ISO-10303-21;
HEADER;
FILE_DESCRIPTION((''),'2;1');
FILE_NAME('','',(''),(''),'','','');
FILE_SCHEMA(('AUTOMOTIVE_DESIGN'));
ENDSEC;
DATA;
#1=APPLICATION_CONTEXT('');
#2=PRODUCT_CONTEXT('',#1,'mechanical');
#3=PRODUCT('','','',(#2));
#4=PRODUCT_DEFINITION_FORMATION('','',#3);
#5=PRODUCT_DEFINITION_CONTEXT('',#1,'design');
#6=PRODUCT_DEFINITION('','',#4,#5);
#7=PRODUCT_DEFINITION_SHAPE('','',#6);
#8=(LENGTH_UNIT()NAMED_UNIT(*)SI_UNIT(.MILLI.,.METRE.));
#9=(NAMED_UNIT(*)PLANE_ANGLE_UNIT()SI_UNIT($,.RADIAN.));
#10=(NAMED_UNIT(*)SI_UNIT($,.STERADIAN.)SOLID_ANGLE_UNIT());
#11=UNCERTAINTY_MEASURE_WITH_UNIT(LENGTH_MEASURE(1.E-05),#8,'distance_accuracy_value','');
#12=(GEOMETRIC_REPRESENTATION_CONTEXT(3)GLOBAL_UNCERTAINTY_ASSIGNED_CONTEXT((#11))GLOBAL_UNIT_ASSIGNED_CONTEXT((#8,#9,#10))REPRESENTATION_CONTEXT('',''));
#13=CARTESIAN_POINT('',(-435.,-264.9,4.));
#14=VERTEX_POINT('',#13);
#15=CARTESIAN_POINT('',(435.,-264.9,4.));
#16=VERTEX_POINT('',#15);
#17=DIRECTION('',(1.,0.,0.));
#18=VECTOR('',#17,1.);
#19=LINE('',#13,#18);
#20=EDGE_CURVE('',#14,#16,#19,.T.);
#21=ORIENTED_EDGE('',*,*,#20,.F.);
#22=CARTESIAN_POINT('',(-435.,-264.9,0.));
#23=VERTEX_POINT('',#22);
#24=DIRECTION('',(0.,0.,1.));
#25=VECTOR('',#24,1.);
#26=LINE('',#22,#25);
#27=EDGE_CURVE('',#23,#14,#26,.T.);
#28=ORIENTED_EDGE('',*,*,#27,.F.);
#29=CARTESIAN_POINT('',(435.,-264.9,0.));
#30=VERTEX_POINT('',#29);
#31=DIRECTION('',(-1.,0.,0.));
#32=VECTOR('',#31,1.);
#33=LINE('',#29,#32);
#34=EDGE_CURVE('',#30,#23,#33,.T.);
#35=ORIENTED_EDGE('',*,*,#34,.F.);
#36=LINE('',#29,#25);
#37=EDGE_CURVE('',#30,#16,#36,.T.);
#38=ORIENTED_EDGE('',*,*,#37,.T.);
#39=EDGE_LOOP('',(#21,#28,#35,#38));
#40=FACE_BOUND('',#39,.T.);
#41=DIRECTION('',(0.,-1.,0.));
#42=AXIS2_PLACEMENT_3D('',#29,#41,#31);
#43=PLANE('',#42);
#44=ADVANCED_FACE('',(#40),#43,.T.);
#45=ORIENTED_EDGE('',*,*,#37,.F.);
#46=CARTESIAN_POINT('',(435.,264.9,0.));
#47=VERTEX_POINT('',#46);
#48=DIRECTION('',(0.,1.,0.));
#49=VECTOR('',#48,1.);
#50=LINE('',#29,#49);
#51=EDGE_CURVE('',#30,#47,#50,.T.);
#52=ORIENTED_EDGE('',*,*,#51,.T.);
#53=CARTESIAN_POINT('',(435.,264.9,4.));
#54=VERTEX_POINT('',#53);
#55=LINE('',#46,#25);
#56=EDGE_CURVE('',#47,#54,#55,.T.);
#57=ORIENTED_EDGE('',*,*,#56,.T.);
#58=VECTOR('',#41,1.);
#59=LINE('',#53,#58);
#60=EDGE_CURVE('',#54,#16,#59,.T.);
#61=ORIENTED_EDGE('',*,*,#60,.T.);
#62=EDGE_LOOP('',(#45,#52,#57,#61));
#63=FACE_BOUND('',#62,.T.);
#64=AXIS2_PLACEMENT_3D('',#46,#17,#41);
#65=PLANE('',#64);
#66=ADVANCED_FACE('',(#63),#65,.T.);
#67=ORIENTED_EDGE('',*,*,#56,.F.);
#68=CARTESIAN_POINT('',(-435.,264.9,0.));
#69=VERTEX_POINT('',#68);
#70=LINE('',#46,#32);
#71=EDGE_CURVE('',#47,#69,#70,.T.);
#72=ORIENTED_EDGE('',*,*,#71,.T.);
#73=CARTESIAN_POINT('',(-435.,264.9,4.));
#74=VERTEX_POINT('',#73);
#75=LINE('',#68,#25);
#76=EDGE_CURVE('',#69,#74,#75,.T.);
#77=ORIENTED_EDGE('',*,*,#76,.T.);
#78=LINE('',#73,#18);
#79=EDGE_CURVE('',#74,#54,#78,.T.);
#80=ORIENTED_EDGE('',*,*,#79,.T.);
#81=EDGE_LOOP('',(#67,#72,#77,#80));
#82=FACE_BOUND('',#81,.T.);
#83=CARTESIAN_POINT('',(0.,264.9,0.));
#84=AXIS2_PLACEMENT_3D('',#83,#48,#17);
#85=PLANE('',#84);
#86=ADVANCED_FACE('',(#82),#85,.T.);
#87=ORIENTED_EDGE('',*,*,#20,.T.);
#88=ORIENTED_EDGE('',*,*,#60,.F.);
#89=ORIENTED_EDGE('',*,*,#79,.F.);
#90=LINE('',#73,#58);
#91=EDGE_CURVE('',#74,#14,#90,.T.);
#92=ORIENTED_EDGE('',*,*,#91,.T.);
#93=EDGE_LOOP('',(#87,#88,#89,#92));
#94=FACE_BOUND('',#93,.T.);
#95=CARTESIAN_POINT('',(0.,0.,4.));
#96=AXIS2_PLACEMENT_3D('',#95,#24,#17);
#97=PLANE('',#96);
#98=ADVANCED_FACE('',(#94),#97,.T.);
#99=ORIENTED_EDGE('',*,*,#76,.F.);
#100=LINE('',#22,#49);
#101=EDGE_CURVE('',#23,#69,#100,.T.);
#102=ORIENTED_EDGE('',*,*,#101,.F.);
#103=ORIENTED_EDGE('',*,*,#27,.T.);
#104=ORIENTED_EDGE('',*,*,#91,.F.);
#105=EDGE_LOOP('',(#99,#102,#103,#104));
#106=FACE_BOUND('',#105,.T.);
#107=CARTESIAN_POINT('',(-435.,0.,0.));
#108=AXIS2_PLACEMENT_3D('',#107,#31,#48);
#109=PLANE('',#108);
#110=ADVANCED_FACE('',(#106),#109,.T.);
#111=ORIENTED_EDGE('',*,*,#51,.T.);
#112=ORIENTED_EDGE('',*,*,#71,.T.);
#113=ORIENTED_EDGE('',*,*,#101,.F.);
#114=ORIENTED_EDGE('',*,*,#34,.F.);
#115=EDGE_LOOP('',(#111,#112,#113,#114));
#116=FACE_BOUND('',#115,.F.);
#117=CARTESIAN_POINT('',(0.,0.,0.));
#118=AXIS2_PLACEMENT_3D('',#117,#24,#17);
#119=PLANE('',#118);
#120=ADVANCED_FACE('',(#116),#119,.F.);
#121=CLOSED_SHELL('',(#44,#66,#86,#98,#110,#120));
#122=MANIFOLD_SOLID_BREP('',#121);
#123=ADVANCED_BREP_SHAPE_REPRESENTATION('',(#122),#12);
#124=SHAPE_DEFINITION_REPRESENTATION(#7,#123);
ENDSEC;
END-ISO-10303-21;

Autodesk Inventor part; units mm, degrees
ref_plane "YZ Plane" through (0, 0, 0) normal (1, 0, 0) x (0, 1, 0)
ref_plane "XZ Plane" through (0, 0, 0) normal (0, 1, 0) x (-1, 0, 0)
ref_plane "XY Plane" through (0, 0, 0) normal (0, 0, 1) x (1, 0, 0)
sketch "Skizze1" plane through (0, 0, 0) normal (0, 0, 1) x (1, 0, 0)
  line L0 (0, 370.86) -> (0, -370.86) projected
  line L1 (-609, 0) -> (609, 0) projected
  line L2 (435, -264.9) -> (-435, -264.9)
  line L3 (-435, -264.9) -> (-435, 264.9)
  line L4 (-435, 264.9) -> (435, 264.9)
  line L5 (435, 264.9) -> (435, -264.9)
  point P0 (0, 0)
  point P1 (0, -264.9)
  point P2 (435, 0)
  dimension "d0" = 870
  dimension "d1" = 529.8
extrude "Extrusion1" add sketch "Skizze1" along normal blind 4
properties part number "Schubladenboden" material "PVC-U"
